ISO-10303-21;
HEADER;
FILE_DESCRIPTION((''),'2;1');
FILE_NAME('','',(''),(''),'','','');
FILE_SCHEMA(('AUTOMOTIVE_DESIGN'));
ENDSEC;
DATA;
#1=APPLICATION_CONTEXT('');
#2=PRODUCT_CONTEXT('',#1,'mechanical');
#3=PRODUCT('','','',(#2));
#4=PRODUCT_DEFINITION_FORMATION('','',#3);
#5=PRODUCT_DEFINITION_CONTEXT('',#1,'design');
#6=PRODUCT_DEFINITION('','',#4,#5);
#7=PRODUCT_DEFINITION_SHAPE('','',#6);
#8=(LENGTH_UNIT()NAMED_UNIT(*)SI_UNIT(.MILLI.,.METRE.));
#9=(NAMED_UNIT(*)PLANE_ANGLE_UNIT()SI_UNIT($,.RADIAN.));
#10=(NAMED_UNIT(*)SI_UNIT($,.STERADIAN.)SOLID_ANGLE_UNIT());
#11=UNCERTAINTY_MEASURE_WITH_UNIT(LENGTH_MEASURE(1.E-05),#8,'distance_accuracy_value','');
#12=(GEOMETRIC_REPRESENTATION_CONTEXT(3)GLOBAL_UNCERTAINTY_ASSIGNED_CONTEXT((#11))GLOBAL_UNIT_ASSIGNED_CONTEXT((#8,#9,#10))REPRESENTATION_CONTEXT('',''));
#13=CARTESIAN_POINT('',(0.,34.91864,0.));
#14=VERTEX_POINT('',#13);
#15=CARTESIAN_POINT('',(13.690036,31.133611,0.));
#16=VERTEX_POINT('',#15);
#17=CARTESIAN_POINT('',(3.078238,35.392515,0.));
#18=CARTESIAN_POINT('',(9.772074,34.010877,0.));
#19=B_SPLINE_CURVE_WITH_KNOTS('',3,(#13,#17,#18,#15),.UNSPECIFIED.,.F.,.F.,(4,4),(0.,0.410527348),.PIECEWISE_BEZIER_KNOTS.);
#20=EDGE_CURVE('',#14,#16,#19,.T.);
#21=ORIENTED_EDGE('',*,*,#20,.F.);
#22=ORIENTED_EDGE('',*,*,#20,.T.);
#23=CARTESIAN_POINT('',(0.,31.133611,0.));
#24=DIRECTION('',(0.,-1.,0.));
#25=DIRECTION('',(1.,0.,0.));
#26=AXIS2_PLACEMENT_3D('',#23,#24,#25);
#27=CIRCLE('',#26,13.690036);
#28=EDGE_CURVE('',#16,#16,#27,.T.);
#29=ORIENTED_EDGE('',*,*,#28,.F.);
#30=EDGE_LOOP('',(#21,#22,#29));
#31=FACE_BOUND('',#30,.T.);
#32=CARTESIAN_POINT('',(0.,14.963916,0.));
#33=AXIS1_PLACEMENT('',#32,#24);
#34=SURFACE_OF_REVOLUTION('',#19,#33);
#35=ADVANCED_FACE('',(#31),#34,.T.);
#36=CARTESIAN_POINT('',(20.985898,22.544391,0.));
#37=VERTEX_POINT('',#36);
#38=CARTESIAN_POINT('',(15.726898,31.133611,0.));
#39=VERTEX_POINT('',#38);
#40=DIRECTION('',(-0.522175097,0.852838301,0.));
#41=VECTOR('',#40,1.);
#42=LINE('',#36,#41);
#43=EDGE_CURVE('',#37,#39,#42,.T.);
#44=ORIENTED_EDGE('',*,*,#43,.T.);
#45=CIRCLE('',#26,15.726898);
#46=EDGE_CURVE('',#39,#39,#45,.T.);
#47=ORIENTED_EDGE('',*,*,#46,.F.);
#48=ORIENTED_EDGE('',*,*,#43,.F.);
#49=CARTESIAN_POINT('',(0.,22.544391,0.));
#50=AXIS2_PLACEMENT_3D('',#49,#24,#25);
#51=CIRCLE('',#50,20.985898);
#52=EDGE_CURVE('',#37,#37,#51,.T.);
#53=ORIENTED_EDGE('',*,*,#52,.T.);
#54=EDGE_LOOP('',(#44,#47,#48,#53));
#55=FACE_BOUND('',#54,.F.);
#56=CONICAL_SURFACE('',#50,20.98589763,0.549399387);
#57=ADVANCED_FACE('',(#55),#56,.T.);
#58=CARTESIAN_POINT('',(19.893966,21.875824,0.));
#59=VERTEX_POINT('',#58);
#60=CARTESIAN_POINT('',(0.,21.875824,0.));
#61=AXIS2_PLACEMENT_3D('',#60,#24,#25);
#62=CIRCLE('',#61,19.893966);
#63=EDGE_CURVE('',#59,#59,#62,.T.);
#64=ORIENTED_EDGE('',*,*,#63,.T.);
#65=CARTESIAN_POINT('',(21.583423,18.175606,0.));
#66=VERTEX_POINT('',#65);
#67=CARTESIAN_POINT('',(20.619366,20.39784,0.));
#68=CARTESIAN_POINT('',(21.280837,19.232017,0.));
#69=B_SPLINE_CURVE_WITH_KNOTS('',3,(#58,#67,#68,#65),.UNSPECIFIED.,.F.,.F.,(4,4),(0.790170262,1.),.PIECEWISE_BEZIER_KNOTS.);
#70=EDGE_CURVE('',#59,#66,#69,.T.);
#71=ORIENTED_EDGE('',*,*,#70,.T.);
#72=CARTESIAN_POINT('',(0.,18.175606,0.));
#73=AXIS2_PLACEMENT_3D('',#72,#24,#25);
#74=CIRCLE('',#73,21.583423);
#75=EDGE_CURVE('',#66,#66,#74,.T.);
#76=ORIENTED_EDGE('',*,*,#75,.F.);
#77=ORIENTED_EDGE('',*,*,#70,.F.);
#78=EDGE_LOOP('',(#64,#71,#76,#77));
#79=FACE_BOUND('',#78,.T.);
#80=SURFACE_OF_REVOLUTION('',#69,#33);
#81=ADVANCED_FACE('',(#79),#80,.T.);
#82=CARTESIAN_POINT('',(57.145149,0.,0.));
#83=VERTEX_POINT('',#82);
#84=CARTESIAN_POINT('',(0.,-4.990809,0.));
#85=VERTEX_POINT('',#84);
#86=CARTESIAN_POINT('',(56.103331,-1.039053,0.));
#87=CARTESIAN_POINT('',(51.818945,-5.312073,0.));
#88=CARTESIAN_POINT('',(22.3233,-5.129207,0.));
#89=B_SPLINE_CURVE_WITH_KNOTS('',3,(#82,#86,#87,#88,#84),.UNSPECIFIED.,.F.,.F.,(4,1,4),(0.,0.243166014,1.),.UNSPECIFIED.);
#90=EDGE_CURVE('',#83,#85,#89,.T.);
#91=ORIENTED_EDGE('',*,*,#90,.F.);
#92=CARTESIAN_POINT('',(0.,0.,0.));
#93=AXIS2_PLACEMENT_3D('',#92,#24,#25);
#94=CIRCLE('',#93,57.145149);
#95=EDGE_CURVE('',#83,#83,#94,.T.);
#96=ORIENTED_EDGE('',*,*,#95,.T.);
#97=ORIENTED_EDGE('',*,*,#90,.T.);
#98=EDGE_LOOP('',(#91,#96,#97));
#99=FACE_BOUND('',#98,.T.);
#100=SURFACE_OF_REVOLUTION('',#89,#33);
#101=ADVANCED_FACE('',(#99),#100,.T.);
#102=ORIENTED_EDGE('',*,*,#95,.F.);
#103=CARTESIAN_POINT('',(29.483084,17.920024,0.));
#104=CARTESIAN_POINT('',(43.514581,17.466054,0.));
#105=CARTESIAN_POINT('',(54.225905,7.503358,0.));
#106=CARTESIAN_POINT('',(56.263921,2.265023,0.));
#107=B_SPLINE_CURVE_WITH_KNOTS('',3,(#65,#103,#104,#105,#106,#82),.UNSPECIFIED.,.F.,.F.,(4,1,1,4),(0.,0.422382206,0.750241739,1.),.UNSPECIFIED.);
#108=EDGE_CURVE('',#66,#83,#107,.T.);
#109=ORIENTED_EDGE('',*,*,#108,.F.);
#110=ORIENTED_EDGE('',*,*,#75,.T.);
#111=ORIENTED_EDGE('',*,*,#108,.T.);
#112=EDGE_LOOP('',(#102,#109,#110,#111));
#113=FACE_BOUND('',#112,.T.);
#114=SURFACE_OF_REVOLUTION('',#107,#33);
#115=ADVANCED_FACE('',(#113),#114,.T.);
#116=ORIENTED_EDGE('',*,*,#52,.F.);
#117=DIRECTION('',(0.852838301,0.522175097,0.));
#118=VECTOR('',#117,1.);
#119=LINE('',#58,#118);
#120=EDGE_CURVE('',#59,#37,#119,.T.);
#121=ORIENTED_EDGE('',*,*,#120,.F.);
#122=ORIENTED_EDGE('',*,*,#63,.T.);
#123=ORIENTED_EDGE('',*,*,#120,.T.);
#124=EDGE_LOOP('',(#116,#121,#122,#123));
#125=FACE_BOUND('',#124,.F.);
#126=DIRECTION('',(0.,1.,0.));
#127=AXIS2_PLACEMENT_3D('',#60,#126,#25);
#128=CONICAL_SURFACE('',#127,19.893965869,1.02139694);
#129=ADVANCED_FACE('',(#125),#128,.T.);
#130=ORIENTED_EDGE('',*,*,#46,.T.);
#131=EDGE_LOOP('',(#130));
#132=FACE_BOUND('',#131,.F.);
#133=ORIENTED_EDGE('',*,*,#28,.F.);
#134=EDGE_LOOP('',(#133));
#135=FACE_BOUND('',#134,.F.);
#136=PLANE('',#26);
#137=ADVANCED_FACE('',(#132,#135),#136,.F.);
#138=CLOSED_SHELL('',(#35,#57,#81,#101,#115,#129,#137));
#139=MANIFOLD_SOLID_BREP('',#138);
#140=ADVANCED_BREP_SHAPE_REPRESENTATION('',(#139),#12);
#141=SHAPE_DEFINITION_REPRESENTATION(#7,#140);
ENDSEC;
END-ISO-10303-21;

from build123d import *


with BuildPart() as f1:
    # F0 (on Top) → F1 (revolve)
    with BuildSketch(Plane.XY):
        with BuildLine():
            Line((15.7268978655, 31.1336107552), (13.6900357902, 31.1336107552))
            add(Edge.make_bspline(
                [(13.6900357902, 31.1336107552), (17.0608899521, 28.6581278912), (18.4755196748, 24.8073490245), (19.8025538123, 22.0620742536), (19.8939658685, 21.8758244185)],
                knots=[0.4105273485, 0.4105273485, 0.4105273485, 0.4105273485, 0.7637283298, 0.7901702617, 0.7901702617, 0.7901702617, 0.7901702617], degree=3))
            Line((19.8939658685, 21.8758244185), (20.9858976305, 22.5443914533))
            Line((20.9858976305, 22.5443914533), (15.7268978655, 31.1336107552))
        make_face()
        with BuildLine():
            add(Edge.make_bspline(
                [(0, 34.9186398089), (3.0782377239, 35.3925153745), (9.7720743609, 34.0108774401), (13.6900357902, 31.1336107552)],
                knots=[0, 0, 0, 0, 0.4105273485, 0.4105273485, 0.4105273485, 0.4105273485], degree=3))
            Line((0, 34.9186398089), (0, -4.9908086658))
            add(Edge.make_bspline(
                [(57.1451485157, 0), (56.1033313978, -1.0390530249), (51.8189445284, -5.3120726311), (22.3233002337, -5.1292072545), (0, -4.9908086658)],
                knots=[0, 0, 0, 0, 0.243166014, 1, 1, 1, 1], degree=3))
            add(Edge.make_bspline(
                [(21.5834230185, 18.1756056845), (29.4830837428, 17.9200240844), (43.5145810963, 17.4660543787), (54.2259048008, 7.5033575534), (56.2639210027, 2.265022949), (57.1451485157, 0)],
                knots=[0, 0, 0, 0, 0.4223822062, 0.7502417389, 1, 1, 1, 1], degree=3))
            add(Edge.make_bspline(
                [(19.8939658685, 21.8758244185), (20.6193655065, 20.3978403476), (21.2808370146, 19.2320167154), (21.5834230185, 18.1756056845)],
                knots=[0.7901702617, 0.7901702617, 0.7901702617, 0.7901702617, 1, 1, 1, 1], degree=3))
            add(Edge.make_bspline(
                [(13.6900357902, 31.1336107552), (17.0608899521, 28.6581278912), (18.4755196748, 24.8073490245), (19.8025538123, 22.0620742536), (19.8939658685, 21.8758244185)],
                knots=[0.4105273485, 0.4105273485, 0.4105273485, 0.4105273485, 0.7637283298, 0.7901702617, 0.7901702617, 0.7901702617, 0.7901702617], degree=3))
        make_face()
    revolve(axis=Axis((0, 14.9639155716, 0), (0, -1, 0)))


solid = f1.part
